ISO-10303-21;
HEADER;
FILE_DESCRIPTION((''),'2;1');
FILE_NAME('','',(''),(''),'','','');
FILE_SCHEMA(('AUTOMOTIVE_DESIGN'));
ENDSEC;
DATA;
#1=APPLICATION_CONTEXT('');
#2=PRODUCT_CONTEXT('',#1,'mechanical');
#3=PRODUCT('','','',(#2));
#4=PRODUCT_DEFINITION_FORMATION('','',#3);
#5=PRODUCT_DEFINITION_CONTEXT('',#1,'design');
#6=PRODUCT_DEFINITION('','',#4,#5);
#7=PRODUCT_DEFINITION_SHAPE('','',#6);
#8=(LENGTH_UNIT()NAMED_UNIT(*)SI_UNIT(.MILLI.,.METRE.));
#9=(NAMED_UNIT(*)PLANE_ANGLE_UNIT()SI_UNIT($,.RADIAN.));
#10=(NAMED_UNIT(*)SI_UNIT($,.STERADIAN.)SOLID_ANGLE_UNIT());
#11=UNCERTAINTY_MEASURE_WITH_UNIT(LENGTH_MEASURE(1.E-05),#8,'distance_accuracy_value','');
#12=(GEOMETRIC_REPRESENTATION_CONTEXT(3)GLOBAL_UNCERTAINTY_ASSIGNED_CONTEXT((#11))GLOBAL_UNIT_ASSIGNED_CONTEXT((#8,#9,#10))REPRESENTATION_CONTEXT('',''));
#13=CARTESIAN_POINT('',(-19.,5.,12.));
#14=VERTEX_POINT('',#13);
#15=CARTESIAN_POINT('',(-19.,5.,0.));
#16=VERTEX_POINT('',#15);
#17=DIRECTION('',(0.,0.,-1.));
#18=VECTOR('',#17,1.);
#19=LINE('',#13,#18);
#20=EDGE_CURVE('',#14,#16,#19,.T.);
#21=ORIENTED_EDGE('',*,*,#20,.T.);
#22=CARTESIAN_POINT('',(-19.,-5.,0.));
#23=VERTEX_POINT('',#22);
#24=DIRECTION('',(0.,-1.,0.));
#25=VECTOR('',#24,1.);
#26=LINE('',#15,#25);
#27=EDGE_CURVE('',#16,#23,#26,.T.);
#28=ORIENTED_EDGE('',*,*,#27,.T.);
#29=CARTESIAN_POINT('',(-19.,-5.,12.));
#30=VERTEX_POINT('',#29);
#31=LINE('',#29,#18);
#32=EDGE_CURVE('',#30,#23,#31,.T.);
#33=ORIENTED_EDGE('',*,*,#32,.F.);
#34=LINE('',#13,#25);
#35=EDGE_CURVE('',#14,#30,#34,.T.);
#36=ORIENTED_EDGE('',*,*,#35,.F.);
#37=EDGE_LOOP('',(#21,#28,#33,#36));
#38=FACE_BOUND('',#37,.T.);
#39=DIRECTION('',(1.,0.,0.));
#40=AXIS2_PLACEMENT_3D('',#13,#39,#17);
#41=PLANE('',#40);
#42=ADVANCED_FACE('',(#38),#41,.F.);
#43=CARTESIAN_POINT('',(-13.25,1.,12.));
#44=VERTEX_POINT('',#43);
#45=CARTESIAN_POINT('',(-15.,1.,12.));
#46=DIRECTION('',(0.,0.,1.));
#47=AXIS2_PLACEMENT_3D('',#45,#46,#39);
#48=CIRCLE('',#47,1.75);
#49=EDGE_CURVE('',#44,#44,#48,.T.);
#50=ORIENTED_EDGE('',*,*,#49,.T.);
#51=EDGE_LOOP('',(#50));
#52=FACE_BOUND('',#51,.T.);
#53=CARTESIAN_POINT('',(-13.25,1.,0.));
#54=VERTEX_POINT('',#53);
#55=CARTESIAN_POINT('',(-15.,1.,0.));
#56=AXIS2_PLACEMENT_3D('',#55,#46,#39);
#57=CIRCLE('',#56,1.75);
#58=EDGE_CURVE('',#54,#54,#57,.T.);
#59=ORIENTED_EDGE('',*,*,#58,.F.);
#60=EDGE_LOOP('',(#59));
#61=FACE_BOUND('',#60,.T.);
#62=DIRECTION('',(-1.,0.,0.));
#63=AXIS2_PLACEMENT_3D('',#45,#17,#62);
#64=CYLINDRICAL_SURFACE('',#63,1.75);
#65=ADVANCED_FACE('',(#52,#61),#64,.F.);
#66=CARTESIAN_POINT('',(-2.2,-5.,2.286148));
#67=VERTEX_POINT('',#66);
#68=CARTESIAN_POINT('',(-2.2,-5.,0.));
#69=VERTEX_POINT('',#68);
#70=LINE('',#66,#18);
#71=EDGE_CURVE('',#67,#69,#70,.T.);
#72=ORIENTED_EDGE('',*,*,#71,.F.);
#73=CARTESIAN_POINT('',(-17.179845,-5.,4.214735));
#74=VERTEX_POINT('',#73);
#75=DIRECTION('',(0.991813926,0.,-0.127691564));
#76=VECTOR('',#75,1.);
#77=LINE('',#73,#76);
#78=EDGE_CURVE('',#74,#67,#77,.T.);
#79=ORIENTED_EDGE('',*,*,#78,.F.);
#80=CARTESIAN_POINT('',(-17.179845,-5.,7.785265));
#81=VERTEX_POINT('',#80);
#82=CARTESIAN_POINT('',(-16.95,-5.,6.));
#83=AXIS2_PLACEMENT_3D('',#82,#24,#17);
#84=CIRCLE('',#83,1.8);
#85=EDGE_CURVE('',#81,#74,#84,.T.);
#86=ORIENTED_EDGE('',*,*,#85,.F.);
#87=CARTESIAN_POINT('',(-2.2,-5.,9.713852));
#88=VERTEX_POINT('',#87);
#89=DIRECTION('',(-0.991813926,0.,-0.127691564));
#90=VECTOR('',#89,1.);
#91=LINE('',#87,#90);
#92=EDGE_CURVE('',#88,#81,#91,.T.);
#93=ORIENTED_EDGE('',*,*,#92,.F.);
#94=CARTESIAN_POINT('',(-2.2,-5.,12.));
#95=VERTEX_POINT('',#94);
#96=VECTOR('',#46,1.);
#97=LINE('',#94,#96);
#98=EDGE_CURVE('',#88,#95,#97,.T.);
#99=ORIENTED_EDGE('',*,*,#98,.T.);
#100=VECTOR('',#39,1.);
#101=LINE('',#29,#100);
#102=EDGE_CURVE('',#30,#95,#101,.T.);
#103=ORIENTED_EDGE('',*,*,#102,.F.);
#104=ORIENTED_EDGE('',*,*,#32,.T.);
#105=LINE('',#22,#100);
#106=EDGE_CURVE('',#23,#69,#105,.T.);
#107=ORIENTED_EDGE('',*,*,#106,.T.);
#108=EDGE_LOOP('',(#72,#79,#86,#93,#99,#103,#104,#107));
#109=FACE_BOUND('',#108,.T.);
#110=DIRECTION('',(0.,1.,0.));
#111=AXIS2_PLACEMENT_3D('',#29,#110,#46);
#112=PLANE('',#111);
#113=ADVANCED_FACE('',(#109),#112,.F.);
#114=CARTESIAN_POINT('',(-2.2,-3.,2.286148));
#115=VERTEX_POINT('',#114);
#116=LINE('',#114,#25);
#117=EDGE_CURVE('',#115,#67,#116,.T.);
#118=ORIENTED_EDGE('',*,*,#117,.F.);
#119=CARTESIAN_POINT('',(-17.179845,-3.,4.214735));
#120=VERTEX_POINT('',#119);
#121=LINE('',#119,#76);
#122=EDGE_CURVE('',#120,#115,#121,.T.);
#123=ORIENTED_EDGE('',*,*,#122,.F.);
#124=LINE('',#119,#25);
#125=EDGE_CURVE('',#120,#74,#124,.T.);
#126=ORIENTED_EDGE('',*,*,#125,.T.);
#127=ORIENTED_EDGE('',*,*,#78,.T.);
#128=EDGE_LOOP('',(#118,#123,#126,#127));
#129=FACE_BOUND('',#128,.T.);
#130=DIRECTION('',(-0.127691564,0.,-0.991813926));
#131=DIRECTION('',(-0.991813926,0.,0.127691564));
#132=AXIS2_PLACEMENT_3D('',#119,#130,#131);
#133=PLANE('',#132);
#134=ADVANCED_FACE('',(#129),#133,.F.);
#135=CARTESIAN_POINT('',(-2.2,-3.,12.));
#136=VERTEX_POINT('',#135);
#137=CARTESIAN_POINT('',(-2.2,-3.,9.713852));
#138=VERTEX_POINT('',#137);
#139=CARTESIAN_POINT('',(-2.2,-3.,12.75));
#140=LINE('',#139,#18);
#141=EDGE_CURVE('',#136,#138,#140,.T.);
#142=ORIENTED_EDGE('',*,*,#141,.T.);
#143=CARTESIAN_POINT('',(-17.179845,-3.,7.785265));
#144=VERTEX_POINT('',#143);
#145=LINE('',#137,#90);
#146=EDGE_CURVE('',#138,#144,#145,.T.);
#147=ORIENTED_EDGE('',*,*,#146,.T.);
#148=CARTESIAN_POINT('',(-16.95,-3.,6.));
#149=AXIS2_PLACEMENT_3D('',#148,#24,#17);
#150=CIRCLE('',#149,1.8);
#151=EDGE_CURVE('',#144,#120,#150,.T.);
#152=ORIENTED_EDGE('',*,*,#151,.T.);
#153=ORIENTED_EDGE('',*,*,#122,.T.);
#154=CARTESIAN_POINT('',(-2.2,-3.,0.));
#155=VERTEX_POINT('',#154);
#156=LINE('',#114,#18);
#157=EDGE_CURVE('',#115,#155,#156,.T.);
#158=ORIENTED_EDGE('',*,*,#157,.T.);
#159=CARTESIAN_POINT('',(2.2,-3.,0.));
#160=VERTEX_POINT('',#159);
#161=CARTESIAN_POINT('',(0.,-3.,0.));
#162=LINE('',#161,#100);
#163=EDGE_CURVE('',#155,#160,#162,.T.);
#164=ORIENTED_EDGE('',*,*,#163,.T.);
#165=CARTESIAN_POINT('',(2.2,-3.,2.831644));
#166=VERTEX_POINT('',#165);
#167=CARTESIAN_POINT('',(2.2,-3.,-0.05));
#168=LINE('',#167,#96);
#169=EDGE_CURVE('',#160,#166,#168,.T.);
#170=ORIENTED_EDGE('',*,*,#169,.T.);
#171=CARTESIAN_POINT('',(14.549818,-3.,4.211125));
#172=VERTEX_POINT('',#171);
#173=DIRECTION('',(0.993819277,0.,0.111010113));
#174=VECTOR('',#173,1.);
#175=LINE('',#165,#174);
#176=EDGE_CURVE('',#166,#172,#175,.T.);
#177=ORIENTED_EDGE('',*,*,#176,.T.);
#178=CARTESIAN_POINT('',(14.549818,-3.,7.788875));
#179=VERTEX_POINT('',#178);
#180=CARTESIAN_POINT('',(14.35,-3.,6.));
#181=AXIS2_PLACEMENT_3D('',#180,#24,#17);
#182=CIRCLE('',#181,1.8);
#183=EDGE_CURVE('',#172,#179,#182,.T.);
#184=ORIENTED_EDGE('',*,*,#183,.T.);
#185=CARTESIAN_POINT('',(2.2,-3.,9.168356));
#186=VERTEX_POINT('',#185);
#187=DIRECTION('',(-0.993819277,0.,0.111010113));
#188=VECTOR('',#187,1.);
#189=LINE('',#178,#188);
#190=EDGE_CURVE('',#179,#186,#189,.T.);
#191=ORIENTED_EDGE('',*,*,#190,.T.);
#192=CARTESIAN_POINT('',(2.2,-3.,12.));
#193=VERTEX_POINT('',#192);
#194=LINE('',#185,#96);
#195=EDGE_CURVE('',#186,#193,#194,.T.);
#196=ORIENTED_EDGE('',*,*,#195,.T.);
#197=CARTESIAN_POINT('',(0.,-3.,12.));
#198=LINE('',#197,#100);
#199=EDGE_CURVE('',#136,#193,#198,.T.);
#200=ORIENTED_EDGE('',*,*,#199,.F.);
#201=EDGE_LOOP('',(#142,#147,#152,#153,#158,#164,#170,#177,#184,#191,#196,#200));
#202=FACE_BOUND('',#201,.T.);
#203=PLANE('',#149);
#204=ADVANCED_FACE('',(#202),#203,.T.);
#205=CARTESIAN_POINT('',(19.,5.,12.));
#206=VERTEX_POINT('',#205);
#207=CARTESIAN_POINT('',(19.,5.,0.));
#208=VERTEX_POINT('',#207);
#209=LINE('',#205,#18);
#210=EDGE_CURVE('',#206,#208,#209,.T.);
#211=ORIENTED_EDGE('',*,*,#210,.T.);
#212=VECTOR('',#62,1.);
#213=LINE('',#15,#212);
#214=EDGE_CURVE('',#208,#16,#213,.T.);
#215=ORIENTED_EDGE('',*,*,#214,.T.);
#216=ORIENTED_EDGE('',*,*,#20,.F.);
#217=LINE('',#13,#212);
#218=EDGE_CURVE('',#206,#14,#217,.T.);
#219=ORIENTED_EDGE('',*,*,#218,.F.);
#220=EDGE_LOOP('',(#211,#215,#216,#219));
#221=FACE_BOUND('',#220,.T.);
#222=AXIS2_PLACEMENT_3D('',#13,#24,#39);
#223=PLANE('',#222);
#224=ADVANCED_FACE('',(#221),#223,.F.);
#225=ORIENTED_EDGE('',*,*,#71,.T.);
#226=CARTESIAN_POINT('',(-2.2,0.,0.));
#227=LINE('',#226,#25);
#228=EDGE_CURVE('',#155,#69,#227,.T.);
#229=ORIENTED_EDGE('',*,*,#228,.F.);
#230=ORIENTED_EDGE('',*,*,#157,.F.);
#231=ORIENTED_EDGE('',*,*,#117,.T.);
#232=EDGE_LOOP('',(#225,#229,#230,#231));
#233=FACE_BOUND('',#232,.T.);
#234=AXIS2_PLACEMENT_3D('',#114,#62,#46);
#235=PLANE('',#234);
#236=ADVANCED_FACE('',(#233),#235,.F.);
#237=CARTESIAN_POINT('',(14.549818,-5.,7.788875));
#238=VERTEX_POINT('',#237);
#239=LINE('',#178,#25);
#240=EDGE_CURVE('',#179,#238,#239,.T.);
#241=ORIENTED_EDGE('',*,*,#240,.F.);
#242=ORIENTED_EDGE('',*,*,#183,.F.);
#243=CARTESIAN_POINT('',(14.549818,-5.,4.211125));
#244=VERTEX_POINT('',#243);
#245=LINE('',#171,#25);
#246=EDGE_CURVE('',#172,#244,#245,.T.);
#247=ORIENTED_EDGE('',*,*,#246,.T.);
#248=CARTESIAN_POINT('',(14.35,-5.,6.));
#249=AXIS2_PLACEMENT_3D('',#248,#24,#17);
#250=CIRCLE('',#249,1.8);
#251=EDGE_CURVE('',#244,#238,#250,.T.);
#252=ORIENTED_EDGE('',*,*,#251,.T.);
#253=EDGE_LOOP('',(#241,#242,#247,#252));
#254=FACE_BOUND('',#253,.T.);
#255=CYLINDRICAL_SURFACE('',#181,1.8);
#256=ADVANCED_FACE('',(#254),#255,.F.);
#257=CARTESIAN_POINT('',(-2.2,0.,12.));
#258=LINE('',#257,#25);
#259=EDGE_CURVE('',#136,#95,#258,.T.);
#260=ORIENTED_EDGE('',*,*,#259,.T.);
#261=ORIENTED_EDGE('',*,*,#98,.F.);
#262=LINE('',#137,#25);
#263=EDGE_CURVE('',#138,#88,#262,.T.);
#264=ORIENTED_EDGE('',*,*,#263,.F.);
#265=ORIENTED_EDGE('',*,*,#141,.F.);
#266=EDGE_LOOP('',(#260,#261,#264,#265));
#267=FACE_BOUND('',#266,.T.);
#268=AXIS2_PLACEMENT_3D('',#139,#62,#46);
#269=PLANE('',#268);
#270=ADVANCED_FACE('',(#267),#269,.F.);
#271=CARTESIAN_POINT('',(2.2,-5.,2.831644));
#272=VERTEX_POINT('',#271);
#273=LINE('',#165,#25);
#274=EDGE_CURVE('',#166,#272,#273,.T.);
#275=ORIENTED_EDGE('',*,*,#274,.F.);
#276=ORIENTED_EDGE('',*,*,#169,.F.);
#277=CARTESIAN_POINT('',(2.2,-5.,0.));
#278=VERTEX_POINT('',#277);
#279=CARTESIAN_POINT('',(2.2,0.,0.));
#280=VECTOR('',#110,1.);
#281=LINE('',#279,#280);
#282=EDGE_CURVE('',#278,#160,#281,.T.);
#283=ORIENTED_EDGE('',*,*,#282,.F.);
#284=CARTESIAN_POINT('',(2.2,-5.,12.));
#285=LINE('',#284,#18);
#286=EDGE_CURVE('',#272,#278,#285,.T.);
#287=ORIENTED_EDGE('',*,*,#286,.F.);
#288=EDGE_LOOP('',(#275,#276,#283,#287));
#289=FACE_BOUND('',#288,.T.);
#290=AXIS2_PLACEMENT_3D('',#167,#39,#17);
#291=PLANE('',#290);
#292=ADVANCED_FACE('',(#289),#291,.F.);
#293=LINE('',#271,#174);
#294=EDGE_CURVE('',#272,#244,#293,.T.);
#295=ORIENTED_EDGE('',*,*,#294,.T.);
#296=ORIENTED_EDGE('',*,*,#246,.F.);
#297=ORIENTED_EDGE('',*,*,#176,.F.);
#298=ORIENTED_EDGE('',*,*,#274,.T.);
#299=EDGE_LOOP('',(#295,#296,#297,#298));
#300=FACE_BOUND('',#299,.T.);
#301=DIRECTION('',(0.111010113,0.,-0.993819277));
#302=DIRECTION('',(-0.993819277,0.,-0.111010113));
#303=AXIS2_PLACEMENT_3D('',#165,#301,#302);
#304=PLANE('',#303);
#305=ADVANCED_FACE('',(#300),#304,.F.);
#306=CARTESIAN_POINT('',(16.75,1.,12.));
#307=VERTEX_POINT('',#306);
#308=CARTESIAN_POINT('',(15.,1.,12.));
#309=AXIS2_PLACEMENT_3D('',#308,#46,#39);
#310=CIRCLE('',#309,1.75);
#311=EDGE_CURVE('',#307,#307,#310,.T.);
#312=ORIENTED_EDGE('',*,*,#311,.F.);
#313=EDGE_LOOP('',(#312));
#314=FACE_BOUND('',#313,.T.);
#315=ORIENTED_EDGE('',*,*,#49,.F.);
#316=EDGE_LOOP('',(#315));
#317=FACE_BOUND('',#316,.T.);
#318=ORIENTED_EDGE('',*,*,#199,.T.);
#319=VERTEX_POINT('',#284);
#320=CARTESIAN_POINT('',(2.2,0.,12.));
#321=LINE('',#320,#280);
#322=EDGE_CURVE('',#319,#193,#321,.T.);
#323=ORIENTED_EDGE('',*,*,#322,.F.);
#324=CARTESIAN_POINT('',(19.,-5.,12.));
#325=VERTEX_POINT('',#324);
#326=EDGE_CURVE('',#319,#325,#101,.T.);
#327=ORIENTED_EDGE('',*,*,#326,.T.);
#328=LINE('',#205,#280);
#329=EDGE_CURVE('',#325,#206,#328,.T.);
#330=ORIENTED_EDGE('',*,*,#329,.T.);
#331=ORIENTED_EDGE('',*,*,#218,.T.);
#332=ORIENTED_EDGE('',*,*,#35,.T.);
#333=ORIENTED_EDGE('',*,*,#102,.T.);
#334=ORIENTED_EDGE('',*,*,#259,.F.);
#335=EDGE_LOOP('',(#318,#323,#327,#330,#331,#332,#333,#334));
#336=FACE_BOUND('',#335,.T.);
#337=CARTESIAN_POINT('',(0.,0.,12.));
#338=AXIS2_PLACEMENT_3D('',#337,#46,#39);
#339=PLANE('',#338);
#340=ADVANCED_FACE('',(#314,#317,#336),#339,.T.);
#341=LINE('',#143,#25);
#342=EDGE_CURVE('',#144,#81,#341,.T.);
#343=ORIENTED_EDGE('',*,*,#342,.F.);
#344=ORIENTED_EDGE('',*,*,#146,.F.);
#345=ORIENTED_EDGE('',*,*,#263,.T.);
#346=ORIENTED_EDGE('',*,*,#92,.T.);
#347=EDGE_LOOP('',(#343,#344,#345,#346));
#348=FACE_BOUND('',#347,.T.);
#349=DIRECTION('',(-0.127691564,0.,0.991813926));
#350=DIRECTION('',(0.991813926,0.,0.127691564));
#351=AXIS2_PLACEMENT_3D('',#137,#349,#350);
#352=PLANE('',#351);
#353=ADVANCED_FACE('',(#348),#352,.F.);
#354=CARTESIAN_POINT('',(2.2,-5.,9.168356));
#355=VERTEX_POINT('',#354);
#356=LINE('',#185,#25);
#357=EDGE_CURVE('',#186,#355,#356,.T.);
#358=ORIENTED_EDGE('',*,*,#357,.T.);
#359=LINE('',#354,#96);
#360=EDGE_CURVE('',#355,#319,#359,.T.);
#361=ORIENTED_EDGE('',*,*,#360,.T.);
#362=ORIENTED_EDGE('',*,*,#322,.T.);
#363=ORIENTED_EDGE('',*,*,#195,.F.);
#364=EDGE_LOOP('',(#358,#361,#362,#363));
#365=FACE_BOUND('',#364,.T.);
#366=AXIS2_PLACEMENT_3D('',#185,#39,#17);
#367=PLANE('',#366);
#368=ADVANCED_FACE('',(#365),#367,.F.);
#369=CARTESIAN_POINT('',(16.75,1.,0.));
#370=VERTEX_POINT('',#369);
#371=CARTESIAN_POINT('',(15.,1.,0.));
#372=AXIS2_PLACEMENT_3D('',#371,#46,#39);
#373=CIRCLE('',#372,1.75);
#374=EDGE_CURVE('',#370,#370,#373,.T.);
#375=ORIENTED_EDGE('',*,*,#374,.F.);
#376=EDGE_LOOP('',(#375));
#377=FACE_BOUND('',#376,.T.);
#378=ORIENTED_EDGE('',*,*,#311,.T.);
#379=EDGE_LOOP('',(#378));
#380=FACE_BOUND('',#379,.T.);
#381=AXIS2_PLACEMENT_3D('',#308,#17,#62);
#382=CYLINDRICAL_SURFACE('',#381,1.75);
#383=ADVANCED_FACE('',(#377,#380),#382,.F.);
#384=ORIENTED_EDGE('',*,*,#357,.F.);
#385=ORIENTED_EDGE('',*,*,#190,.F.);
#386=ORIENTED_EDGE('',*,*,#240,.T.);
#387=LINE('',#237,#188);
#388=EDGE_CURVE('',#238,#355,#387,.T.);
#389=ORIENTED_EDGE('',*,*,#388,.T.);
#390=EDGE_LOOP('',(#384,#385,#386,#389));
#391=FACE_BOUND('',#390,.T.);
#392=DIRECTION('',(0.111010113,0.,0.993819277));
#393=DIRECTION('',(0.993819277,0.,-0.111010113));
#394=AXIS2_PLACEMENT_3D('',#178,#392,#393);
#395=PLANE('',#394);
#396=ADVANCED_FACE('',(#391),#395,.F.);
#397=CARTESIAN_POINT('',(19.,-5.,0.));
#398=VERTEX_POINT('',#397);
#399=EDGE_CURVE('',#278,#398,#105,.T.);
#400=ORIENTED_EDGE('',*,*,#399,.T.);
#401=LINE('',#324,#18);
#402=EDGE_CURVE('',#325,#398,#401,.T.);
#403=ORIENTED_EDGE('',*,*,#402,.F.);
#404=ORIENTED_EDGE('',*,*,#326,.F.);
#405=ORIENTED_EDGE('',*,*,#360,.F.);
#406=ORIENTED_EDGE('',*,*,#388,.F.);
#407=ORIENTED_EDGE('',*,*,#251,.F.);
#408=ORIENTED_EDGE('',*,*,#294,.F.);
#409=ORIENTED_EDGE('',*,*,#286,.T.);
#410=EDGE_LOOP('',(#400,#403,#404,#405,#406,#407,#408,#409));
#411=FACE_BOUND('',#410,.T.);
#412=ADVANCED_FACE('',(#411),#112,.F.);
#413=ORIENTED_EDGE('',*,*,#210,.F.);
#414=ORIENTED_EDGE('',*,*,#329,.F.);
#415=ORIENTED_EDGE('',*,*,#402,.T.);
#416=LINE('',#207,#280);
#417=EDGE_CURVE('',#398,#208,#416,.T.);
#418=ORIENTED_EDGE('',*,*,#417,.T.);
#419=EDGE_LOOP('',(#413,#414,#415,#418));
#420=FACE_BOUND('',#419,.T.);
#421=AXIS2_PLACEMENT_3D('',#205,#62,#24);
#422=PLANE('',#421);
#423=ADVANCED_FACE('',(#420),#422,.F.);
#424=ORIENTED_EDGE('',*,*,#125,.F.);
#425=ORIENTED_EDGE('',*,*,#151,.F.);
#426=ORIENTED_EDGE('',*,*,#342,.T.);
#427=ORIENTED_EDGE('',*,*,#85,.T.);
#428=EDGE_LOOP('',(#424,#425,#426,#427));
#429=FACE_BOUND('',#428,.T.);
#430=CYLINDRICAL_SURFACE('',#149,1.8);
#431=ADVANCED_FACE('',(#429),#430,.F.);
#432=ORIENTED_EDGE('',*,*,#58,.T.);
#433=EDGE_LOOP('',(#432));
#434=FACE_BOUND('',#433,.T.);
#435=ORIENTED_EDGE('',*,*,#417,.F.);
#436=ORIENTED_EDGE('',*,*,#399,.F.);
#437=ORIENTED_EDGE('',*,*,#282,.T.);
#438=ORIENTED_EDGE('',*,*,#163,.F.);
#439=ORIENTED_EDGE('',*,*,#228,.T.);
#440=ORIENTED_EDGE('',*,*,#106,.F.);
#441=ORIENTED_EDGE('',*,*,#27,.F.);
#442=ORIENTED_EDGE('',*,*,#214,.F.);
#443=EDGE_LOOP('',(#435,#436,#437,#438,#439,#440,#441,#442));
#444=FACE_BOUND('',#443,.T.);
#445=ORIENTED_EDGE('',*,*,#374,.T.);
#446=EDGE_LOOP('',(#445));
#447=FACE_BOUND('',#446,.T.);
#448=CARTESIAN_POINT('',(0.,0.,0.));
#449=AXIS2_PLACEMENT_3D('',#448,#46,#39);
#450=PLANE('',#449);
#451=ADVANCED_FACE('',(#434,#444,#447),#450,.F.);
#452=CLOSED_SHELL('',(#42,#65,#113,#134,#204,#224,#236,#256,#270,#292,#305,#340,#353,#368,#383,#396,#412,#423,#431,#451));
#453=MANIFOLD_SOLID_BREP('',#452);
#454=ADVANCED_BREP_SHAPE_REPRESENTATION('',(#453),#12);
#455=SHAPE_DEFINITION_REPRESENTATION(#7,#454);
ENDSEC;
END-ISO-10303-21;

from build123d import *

# Parameters (mm, degrees)
SKETCH1_W           = 38
SKETCH1_H           = 10
SKETCH1_R           = 1.75
BOSS_EXTRUDE1_DEPTH = 12
CUT_EXTRUDE3_DEPTH  = 2


with BuildPart() as part:
    # Sketch1 → Boss-Extrude1 (new body)
    with BuildSketch(Plane.XY):
        Rectangle(SKETCH1_W, SKETCH1_H)
        with Locations((15, 1)):
            Circle(SKETCH1_R, mode=Mode.SUBTRACT)
        with Locations((-15, 1)):
            Circle(SKETCH1_R, mode=Mode.SUBTRACT)
    extrude(amount=BOSS_EXTRUDE1_DEPTH)

    # Sketch2 → Cut-Extrude3 (cut)
    with BuildSketch(Plane.XZ.offset(5)):
        with BuildLine():
            Line((2.2, -0.05), (2.2, 2.831644402))
            Line((2.2, 2.831644402), (14.549818203, 4.211125302))
            ThreePointArc((14.549818203, 4.211125302), (16.15, 6), (14.549818203, 7.788874698))
            Line((14.549818203, 7.788874698), (2.2, 9.168355598))
            Line((2.2, 9.168355598), (2.2, 12.75))
            ThreePointArc((2.2, 12.75), (0, 14.95), (-2.2, 12.75))
            Line((-2.2, 12.75), (-2.2, 9.713852446))
            Line((-2.2, 9.713852446), (-17.179844816, 7.785265067))
            ThreePointArc((-17.179844816, 7.785265067), (-18.75, 6), (-17.179844816, 4.214734933))
            Line((-17.179844816, 4.214734933), (-2.2, 2.286147554))
            Line((-2.2, 2.286147554), (-2.2, -0.05))
            ThreePointArc((-2.2, -0.05), (0, -2.25), (2.2, -0.05))
        make_face()
    extrude(amount=-CUT_EXTRUDE3_DEPTH, mode=Mode.SUBTRACT)


solid = part.part
